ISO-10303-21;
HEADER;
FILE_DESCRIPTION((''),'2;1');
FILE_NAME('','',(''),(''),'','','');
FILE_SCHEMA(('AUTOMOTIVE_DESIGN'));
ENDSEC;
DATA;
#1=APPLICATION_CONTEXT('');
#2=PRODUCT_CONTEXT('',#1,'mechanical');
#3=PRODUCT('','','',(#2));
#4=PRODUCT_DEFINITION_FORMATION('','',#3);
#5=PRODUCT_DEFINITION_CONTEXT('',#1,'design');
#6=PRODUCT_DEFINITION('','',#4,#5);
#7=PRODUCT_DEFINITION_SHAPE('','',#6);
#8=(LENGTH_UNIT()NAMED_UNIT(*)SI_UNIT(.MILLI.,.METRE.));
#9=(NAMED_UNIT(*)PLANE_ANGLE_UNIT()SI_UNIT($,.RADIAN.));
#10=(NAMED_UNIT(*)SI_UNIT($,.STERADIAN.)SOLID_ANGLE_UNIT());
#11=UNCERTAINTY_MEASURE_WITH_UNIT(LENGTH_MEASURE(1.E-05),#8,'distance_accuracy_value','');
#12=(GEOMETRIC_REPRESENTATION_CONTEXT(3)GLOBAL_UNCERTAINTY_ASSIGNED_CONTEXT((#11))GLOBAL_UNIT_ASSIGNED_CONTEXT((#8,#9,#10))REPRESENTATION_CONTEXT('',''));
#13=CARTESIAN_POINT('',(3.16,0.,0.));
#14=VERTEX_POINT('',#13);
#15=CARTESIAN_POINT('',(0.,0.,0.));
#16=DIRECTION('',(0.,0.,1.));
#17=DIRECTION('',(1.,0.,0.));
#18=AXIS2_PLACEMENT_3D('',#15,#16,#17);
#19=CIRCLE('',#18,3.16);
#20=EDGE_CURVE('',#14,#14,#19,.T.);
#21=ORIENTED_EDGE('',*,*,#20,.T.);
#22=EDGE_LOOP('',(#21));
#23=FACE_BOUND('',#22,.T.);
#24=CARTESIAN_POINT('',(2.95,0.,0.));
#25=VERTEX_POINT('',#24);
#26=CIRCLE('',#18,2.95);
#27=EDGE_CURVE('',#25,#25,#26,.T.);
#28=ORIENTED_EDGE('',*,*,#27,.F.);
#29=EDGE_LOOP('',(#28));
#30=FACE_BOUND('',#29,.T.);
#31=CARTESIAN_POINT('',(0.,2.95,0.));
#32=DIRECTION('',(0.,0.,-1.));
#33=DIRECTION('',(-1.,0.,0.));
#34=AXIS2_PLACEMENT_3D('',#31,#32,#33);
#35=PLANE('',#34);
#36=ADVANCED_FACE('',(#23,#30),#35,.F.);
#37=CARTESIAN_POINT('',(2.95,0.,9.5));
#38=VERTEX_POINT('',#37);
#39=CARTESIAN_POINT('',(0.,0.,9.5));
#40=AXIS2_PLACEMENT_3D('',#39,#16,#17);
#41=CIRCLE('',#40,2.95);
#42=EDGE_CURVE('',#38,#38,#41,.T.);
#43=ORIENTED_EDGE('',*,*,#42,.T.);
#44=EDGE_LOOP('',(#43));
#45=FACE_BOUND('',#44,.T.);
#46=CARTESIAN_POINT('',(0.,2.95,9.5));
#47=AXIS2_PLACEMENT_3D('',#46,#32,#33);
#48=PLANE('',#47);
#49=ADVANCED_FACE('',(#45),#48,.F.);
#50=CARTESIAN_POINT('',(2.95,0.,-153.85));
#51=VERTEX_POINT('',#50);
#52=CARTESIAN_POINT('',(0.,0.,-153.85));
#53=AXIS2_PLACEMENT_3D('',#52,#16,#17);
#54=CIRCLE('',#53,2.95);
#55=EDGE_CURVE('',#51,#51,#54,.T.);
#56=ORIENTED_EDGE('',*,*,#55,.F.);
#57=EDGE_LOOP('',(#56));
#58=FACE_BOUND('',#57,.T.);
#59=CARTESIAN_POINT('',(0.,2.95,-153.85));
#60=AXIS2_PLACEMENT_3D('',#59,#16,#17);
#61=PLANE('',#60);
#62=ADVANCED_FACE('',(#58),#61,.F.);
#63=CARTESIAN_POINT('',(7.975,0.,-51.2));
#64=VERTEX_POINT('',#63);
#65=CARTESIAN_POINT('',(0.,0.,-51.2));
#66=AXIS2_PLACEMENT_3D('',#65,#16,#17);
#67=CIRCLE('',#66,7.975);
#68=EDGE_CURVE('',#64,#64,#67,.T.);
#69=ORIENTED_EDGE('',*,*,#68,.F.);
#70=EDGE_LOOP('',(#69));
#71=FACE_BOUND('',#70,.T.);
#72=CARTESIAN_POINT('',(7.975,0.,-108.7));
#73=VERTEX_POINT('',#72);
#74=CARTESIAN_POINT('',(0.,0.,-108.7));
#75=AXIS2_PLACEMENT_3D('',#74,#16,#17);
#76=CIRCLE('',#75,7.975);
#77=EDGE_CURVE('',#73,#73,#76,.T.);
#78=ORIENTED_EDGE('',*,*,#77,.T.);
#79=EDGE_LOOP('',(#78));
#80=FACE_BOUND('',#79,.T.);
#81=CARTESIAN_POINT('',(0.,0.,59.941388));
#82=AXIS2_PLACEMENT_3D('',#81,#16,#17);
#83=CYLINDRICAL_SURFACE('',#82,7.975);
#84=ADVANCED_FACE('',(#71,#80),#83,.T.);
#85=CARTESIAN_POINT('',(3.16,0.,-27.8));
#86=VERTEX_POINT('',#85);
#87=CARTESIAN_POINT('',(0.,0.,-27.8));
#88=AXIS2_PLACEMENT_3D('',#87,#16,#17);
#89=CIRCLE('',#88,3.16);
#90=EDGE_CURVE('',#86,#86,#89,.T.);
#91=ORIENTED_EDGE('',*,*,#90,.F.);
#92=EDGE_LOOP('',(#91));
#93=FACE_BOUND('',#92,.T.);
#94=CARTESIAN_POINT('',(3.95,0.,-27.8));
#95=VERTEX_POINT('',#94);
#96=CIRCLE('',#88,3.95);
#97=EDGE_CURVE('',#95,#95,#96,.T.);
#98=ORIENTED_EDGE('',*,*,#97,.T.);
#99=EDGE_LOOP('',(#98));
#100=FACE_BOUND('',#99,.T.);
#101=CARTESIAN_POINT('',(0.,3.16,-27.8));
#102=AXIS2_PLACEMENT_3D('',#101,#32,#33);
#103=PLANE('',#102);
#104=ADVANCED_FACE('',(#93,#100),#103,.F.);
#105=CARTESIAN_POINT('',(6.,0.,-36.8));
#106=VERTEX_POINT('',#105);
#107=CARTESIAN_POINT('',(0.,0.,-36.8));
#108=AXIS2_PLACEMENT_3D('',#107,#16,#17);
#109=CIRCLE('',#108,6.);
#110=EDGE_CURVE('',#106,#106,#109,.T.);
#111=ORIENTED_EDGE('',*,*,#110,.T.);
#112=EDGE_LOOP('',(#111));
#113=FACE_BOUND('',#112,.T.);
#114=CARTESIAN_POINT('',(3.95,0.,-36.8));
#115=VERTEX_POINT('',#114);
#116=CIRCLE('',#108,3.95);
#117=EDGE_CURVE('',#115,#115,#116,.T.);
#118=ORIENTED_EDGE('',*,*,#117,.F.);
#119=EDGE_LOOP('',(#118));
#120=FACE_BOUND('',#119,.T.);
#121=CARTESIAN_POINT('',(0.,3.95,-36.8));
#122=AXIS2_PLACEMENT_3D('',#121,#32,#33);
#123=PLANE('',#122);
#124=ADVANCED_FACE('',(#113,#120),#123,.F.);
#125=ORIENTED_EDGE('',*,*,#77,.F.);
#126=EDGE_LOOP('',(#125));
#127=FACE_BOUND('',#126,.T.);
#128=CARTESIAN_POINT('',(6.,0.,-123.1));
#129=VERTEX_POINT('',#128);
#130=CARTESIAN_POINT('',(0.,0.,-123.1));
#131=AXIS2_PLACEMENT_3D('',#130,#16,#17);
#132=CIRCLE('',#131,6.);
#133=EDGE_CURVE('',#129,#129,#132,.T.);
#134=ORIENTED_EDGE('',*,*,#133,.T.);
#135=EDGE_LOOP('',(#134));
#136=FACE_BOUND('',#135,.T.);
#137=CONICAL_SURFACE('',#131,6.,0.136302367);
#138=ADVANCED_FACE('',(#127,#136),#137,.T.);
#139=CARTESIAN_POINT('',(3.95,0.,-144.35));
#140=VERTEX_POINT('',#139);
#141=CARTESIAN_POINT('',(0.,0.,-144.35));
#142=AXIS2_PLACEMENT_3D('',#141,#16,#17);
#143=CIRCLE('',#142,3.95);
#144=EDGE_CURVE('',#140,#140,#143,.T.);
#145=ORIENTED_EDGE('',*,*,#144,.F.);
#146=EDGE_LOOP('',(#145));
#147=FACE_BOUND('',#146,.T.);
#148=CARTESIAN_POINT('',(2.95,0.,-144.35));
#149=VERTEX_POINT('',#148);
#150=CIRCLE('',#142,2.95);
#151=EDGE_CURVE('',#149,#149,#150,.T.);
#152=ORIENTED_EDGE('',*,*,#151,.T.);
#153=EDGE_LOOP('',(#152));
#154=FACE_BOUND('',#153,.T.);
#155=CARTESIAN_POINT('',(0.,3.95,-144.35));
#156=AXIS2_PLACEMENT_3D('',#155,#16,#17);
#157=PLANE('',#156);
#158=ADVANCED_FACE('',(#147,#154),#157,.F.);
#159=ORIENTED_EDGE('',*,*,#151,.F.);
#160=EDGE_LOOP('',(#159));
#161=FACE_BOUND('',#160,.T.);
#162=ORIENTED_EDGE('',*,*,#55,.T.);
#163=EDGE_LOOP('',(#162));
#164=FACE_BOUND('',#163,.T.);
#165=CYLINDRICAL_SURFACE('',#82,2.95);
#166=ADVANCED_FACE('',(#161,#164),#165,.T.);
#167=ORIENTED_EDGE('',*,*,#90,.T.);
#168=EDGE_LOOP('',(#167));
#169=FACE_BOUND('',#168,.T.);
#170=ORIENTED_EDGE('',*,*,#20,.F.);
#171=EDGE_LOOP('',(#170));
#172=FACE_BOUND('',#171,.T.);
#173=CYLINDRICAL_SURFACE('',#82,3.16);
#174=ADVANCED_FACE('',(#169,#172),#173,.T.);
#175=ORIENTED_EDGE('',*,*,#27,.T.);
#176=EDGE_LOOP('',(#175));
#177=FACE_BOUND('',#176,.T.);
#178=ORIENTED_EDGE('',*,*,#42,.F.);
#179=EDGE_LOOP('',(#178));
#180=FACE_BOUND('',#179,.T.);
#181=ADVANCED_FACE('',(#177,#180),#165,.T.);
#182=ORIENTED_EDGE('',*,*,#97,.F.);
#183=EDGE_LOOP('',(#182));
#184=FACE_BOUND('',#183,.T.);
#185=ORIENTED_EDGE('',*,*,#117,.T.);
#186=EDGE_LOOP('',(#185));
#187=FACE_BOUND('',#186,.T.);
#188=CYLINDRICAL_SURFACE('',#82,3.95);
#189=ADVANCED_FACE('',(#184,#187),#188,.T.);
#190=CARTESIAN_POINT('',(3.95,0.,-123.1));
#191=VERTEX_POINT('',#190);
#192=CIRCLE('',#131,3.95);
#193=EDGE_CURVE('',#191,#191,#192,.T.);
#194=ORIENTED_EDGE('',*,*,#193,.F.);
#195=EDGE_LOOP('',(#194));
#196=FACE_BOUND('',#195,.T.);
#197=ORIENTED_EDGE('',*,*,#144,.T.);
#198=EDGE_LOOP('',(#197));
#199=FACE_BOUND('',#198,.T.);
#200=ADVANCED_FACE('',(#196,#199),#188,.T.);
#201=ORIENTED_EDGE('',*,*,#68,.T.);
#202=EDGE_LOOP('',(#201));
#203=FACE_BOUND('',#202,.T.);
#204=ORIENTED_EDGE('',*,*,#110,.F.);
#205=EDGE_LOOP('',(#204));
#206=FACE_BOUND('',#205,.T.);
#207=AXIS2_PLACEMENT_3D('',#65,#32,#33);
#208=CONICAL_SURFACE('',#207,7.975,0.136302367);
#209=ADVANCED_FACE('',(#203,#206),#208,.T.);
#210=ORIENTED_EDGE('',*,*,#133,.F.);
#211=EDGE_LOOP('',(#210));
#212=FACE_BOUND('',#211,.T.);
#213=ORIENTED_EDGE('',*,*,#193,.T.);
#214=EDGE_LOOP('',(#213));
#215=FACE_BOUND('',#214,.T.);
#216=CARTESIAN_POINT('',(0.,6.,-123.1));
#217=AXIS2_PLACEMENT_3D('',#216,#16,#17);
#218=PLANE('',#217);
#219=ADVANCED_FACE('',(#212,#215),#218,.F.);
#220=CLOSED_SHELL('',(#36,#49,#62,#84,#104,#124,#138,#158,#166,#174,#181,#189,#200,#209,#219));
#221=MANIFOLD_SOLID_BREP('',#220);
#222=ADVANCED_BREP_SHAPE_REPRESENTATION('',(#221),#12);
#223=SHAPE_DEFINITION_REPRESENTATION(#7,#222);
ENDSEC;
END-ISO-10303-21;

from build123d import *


with BuildPart() as part:
    # Esquisse1 → Base-Révolution (revolve)
    with BuildSketch(Plane(origin=(0, 0, 0), x_dir=(0, 0, -1), z_dir=(1, 0, 0)), mode=Mode.PRIVATE) as base_r_volution_sk:
        Polygon((27.8, 3.16), (27.8, 3.95), (36.8, 3.95), (36.8, 6), (51.2, 7.975), (108.7, 7.975), (123.1, 6), (123.1, 3.95), (144.35, 3.95), (144.35, 2.95), (153.85, 2.95), (153.85, 0), (-9.5, 0), (-9.5, 2.95), (0, 2.95), (0, 3.16), align=None)
    revolve(base_r_volution_sk.sketch.rotate(Axis((0, 0, 59.941388175), (0, 0, -1)), 90), axis=Axis((0, 0, 59.941388175), (0, 0, -1)))


solid = part.part
